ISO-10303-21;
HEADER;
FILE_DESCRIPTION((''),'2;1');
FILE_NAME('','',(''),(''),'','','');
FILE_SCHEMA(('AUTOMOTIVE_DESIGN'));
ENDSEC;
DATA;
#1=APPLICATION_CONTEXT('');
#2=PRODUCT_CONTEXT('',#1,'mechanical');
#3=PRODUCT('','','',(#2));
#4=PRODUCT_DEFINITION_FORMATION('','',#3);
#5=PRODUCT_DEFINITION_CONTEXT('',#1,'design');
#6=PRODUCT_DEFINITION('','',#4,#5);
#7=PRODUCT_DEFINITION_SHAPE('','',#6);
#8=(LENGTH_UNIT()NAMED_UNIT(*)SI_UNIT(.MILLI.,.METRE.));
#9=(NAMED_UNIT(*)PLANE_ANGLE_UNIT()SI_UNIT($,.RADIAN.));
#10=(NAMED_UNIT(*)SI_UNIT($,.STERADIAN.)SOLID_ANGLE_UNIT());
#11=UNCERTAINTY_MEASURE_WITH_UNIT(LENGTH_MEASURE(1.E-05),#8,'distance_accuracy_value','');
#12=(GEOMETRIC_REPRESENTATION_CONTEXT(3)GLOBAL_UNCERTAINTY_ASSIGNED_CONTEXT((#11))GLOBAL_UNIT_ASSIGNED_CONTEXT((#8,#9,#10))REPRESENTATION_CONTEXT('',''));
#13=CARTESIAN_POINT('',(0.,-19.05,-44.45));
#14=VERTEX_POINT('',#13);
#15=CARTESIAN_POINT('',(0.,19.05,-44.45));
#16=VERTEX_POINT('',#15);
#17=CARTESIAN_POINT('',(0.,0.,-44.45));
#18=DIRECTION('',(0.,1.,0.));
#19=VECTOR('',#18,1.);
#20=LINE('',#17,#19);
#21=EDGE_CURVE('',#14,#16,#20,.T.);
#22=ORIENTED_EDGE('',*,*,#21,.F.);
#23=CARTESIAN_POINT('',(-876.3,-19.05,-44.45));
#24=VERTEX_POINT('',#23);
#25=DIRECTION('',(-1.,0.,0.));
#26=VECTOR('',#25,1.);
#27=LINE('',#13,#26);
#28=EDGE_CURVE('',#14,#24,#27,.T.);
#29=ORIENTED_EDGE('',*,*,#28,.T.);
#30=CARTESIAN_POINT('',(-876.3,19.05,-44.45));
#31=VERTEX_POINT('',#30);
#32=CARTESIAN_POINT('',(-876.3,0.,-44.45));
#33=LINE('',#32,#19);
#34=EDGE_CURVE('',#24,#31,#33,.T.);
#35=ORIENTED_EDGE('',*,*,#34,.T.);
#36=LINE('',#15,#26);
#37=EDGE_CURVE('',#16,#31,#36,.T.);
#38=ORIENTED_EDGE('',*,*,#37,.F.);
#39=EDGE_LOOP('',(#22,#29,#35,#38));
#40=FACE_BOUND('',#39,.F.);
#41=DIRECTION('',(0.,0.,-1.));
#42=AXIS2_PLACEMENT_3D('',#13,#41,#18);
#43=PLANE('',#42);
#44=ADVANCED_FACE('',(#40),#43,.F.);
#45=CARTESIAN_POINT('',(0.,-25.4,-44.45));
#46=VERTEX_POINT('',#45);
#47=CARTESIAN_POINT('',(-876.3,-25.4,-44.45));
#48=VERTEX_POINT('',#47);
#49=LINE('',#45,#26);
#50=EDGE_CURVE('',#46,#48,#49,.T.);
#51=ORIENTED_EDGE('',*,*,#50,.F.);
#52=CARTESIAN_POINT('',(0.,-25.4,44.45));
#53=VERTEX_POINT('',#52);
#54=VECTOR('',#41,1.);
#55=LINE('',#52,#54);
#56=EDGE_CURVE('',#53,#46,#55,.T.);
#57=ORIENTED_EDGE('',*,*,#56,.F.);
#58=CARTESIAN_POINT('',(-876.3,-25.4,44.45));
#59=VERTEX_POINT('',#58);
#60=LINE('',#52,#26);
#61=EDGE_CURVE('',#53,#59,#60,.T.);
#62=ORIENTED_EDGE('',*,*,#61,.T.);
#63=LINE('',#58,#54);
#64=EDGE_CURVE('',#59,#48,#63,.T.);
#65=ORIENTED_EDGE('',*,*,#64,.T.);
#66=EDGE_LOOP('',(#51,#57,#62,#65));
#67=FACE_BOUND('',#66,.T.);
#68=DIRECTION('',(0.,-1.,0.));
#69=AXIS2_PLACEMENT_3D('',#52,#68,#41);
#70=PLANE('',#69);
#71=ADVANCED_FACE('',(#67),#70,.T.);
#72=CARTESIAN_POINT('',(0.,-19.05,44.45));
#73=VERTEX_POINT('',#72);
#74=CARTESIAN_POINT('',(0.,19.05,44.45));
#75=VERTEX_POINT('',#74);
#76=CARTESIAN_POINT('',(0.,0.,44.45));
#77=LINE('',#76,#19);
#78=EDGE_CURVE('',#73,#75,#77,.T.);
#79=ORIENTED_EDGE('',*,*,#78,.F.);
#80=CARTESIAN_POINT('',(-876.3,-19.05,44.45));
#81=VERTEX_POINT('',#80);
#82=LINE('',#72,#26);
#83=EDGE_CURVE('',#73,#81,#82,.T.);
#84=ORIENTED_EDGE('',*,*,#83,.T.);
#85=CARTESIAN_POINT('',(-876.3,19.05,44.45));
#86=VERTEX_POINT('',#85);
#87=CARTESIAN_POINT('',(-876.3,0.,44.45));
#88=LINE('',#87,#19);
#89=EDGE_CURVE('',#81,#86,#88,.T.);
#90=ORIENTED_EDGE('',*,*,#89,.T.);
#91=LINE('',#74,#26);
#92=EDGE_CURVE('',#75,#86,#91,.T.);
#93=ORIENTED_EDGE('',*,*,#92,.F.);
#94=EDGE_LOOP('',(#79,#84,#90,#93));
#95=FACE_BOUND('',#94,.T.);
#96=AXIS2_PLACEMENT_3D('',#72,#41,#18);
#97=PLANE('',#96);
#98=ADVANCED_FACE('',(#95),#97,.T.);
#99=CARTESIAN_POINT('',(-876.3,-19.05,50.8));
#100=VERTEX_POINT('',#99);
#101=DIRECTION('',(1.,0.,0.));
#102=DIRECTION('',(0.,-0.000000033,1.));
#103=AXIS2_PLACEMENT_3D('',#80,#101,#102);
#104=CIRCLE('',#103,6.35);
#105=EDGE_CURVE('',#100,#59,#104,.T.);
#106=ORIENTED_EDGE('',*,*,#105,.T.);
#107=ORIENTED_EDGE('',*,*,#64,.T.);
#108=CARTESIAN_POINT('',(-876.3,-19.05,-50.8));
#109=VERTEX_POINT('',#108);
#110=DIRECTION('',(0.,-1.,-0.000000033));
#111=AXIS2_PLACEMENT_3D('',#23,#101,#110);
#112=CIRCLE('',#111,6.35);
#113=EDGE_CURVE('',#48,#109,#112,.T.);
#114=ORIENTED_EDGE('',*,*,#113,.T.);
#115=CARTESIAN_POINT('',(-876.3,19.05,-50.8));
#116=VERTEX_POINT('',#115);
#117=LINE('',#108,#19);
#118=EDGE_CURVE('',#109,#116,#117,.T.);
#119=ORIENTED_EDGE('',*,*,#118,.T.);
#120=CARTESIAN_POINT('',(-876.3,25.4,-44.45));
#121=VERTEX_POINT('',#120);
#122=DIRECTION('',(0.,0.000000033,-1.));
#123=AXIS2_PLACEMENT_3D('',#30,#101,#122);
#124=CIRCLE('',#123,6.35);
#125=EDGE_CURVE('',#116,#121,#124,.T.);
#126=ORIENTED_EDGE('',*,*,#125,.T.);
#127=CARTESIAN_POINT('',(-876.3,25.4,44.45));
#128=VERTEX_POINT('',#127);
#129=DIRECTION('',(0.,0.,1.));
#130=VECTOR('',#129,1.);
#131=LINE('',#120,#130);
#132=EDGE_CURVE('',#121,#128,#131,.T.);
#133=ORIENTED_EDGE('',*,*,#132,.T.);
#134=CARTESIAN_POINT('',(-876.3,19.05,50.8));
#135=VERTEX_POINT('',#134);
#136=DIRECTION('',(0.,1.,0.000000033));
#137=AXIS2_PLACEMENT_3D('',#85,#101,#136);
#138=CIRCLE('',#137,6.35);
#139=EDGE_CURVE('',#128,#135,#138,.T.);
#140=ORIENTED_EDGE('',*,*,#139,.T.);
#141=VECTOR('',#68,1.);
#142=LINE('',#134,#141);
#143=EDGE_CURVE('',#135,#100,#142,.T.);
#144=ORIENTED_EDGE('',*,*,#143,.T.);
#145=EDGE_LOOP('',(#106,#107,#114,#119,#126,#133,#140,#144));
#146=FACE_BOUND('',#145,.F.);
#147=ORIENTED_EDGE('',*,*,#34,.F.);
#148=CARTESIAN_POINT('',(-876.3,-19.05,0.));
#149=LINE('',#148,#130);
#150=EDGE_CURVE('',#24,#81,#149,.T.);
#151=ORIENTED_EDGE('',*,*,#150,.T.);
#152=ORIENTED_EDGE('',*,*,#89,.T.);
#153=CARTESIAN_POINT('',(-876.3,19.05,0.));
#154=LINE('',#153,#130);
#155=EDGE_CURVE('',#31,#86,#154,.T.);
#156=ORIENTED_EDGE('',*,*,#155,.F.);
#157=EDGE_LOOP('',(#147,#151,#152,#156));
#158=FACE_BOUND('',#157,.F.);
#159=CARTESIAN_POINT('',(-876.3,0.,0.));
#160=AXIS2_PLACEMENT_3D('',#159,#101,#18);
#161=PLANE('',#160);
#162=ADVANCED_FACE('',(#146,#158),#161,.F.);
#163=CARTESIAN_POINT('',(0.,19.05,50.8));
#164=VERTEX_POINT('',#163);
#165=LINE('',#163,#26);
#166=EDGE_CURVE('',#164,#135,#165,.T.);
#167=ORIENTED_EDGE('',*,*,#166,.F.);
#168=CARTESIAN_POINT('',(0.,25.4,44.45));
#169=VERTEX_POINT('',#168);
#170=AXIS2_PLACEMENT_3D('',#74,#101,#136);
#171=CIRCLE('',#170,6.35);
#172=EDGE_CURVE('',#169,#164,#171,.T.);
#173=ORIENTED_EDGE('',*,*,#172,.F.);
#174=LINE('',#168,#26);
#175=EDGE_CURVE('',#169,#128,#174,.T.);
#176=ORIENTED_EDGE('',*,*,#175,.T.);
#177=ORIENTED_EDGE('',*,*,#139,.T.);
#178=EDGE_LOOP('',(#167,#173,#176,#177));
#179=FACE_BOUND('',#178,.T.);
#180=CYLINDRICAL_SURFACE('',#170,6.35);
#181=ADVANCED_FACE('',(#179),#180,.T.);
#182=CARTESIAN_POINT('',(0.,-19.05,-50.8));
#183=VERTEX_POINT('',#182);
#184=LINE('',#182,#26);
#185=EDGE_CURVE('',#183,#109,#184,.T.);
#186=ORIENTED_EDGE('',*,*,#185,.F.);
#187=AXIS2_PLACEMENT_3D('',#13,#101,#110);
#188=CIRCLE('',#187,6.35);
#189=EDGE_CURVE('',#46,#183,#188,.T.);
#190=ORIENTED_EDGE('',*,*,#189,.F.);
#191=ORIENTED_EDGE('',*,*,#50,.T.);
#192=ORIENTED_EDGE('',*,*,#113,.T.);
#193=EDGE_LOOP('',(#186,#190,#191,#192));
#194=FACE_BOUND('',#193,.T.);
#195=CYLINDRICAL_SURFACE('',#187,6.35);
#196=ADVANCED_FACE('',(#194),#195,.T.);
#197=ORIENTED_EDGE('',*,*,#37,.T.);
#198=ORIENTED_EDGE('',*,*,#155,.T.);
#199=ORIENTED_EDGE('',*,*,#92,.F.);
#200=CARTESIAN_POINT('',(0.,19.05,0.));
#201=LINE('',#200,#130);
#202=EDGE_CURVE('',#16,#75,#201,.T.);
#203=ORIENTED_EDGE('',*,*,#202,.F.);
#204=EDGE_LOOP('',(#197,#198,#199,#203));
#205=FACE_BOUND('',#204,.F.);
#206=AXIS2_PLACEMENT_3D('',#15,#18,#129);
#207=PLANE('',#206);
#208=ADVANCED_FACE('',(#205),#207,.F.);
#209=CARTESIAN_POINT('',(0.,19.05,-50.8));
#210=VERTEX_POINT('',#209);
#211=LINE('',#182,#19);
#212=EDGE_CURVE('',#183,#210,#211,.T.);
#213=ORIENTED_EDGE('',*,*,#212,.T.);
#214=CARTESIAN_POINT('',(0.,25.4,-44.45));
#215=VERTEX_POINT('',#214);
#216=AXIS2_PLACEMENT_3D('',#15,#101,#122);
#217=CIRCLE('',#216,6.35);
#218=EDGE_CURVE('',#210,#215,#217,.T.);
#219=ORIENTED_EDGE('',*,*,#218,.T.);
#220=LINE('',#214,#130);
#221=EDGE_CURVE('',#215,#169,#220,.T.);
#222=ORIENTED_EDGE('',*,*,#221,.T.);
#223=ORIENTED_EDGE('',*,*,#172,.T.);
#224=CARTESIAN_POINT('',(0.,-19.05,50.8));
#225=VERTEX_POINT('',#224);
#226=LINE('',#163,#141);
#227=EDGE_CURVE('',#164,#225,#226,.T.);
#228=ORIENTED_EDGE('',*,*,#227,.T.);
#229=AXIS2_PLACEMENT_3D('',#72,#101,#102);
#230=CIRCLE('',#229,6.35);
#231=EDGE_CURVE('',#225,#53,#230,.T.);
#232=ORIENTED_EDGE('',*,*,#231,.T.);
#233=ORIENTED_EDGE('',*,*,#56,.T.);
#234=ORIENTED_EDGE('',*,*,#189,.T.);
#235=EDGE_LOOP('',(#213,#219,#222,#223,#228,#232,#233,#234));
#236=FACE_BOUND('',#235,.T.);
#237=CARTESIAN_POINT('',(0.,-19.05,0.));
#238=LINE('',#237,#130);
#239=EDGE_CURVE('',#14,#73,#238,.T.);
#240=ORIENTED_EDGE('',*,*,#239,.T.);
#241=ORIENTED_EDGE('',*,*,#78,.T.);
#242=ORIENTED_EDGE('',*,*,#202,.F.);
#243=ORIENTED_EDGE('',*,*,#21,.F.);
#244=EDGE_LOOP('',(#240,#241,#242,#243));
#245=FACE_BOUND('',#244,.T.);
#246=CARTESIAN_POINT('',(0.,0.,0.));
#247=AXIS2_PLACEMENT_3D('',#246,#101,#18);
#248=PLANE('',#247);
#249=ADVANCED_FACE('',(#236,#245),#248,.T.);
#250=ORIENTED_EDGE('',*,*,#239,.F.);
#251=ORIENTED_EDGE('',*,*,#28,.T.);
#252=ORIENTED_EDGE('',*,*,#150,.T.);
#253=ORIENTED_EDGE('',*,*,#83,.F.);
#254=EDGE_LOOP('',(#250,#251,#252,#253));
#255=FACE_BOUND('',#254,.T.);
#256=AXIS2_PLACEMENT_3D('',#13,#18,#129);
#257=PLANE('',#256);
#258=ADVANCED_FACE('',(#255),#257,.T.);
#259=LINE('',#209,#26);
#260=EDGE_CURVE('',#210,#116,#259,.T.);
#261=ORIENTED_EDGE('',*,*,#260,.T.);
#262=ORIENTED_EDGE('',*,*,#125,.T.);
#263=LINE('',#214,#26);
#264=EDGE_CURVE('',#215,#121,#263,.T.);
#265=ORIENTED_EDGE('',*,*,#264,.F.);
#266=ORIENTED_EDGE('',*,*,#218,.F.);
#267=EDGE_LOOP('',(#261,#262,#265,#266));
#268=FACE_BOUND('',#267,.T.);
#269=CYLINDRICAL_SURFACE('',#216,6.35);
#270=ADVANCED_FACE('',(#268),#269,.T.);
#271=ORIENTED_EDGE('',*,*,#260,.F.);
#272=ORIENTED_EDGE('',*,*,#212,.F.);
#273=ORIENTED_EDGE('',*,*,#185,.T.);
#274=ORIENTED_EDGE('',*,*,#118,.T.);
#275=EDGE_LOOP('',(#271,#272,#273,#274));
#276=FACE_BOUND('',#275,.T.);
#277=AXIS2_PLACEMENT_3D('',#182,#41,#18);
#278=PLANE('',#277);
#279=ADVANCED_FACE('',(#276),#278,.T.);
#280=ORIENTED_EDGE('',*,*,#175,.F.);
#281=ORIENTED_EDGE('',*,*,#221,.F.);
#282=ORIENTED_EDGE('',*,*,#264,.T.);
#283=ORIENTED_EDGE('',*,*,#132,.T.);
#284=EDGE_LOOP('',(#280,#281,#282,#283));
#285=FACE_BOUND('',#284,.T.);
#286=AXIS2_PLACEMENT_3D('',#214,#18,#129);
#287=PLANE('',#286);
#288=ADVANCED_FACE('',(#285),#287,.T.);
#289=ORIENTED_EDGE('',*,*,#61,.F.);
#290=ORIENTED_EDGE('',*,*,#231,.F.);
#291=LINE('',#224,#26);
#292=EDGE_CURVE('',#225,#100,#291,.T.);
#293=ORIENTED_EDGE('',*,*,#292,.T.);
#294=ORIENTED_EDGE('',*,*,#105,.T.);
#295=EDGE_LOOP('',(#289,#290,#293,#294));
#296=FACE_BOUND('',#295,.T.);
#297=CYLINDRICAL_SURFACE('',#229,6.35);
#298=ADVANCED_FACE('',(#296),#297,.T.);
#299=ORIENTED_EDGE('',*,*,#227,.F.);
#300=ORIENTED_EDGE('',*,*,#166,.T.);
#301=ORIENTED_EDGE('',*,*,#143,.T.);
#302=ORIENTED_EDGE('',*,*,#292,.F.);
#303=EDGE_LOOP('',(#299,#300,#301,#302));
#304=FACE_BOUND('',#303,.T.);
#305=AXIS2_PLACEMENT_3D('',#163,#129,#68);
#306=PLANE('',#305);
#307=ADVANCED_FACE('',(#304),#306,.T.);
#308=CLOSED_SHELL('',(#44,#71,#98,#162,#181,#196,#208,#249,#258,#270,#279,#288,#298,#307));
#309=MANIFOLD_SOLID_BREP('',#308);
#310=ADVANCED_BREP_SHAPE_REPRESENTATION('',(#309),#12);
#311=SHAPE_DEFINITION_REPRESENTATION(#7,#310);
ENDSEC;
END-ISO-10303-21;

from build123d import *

# Parameters (mm, degrees)
F0_W     = 38.1
F0_H     = 88.9
F1_DEPTH = 876.3


with BuildPart() as f1:
    # F0 (on Right) → F1 (new body)
    with BuildSketch(Plane.YZ):
        with BuildLine():
            ThreePointArc((25.4, 44.45), (23.540128, 48.940128), (19.05, 50.8))
            Line((19.05, 50.8), (-19.05, 50.8))
            ThreePointArc((-19.05, 50.8), (-23.540128, 48.940128), (-25.4, 44.45))
            Line((-25.4, 44.45), (-25.4, -44.45))
            ThreePointArc((-25.4, -44.45), (-23.540128, -48.940128), (-19.05, -50.8))
            Line((-19.05, -50.8), (19.05, -50.8))
            ThreePointArc((19.05, -50.8), (23.540128, -48.940128), (25.4, -44.45))
            Line((25.4, -44.45), (25.4, 44.45))
        make_face()
        Rectangle(F0_W, F0_H, mode=Mode.SUBTRACT)
    extrude(amount=-F1_DEPTH)


solid = f1.part
